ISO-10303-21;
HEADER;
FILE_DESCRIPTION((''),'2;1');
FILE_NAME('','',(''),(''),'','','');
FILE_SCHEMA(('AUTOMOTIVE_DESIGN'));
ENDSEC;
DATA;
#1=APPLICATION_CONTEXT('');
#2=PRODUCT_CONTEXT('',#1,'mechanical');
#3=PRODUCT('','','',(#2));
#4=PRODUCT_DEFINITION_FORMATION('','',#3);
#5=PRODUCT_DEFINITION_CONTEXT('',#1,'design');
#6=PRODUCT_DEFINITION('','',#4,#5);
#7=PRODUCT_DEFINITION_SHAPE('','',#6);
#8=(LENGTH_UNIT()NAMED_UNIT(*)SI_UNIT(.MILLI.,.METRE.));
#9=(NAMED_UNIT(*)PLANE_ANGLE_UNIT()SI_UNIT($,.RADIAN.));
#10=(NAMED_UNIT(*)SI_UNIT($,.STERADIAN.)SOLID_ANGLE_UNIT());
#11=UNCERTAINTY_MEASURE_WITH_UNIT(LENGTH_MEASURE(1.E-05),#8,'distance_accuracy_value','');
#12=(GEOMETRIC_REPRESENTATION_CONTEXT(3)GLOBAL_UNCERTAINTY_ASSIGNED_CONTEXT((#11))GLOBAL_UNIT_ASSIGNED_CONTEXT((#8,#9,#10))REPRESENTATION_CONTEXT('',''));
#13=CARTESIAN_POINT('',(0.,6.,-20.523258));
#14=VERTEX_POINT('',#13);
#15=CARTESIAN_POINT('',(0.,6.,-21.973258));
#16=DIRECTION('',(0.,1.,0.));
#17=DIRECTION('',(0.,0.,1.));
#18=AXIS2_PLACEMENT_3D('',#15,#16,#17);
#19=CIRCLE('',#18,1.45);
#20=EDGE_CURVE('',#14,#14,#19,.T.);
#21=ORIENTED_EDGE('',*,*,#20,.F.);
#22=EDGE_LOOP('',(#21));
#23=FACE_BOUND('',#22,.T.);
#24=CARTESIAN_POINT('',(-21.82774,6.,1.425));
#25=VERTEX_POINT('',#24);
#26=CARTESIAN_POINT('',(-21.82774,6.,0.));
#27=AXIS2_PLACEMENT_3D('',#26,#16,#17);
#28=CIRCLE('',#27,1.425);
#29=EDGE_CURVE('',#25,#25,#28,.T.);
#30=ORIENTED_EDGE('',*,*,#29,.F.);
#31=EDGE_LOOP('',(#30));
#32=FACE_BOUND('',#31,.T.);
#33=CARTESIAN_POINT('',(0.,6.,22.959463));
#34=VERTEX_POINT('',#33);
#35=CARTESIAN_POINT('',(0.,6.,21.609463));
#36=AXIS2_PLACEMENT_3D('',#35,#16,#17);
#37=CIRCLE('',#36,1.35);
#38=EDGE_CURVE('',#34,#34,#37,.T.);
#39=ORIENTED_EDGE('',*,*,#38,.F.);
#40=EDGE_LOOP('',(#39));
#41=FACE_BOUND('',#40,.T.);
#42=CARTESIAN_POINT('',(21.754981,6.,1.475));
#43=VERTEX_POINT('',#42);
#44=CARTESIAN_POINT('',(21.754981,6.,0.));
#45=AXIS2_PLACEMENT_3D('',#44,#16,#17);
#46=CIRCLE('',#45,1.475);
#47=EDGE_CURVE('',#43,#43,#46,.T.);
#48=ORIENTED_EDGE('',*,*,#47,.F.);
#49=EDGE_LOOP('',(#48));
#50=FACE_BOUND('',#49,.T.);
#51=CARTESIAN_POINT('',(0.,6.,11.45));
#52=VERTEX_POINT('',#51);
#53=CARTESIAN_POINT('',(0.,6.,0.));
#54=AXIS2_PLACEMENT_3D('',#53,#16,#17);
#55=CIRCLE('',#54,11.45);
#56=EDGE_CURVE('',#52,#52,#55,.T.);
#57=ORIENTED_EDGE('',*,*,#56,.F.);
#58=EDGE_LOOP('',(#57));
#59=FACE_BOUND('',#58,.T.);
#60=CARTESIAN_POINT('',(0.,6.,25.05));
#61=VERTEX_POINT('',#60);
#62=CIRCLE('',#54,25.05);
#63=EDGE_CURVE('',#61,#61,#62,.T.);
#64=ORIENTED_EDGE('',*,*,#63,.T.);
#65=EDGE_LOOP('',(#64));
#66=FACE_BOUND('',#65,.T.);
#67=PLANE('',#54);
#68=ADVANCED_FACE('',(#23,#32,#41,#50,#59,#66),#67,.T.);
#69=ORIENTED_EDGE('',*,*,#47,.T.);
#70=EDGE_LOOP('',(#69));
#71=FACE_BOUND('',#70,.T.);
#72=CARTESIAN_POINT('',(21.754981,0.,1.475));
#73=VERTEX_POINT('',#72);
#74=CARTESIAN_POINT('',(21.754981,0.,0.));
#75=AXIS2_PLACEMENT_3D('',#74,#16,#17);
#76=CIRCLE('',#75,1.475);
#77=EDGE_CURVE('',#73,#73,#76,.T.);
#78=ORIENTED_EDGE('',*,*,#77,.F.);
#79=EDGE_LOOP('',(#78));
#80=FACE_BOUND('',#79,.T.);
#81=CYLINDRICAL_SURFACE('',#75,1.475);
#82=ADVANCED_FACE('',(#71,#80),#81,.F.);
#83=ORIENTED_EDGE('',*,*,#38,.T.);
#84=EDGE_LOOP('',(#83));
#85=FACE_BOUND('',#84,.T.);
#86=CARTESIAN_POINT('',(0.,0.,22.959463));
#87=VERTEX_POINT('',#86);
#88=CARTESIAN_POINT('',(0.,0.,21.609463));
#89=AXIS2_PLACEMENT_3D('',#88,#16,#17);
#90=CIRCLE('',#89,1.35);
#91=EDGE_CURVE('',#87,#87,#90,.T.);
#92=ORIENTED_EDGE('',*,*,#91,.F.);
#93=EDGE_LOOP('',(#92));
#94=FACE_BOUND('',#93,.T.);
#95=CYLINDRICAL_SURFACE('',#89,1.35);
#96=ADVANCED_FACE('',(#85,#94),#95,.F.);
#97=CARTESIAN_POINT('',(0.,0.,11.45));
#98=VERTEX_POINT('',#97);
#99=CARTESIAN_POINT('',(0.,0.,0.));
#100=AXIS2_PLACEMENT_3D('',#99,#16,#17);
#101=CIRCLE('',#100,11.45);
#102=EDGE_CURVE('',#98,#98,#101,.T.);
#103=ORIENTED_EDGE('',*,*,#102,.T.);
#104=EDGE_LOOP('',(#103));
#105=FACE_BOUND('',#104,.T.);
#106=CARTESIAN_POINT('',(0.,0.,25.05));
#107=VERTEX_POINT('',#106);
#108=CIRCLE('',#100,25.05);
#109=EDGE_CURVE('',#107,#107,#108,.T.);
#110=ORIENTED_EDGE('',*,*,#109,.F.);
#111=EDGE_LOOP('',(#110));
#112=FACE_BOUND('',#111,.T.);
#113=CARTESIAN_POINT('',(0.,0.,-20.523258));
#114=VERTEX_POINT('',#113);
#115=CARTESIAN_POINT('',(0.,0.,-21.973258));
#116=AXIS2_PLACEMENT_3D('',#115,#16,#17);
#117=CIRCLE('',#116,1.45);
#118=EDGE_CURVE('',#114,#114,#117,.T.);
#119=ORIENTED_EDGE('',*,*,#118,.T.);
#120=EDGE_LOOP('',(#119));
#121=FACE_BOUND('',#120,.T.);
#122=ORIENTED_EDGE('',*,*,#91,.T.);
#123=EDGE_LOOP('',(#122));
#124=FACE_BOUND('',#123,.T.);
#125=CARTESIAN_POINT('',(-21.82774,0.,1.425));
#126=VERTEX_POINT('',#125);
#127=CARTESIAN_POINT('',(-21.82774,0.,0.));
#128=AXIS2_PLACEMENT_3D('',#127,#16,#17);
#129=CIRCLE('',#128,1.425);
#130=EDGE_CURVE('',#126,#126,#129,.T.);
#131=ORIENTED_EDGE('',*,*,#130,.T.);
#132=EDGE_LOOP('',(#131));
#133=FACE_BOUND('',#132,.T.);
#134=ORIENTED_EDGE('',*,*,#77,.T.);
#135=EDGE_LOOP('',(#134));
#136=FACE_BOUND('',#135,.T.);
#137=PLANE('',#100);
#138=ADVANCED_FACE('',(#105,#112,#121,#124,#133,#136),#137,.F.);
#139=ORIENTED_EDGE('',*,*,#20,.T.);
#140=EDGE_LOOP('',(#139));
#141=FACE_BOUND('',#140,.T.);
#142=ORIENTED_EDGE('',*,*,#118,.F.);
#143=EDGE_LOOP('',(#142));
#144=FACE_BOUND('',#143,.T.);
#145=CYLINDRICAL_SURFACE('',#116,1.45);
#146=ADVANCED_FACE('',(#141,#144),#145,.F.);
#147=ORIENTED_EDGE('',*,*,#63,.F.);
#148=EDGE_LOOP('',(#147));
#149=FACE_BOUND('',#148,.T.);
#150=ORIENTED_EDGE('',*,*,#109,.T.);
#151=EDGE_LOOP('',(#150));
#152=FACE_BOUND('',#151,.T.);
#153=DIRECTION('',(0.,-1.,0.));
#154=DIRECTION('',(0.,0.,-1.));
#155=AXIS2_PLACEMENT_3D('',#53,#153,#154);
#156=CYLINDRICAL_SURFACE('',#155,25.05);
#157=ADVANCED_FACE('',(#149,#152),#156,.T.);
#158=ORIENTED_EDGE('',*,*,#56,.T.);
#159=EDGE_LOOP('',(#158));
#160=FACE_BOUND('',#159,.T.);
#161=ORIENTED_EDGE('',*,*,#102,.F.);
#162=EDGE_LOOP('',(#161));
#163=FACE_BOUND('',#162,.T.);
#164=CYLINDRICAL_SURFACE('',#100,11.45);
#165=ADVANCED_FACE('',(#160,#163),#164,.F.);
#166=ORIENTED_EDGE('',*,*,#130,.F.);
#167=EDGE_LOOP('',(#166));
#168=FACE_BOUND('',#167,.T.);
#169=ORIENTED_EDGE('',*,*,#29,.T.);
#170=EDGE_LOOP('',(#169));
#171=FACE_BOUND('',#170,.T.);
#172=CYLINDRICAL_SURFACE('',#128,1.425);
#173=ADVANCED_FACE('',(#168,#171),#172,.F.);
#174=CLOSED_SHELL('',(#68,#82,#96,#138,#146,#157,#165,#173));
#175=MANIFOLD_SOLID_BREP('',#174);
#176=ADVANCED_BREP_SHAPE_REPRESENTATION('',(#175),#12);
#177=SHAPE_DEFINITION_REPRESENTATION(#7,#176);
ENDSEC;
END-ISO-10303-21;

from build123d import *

# Parameters (mm, degrees)
SKETCH1_R           = 25.05
BOSS_EXTRUDE1_DEPTH = 6
SKETCH5_R           = 1.475
SKETCH5_R_2         = 1.45
SKETCH5_R_3         = 1.425
SKETCH5_R_4         = 1.35
SKETCH5_R_5         = 11.45
CUT_EXTRUDE2_DEPTH  = 36.930558025


with BuildPart() as part:
    # Sketch1 → Boss-Extrude1 (new body)
    with BuildSketch(Plane(origin=(0, 0, 0), x_dir=(1, 0, 0), z_dir=(0, 1, 0))):
        with Locations(Location((0, 0, 0), (0, 0, 270))):
            Circle(SKETCH1_R)
    extrude(amount=BOSS_EXTRUDE1_DEPTH)

    # Sketch5 → Cut-Extrude2 (cut, through all)
    with BuildSketch(Plane(origin=(0, 6, 0), x_dir=(1, 0, 0), z_dir=(0, 1, 0))):
        with Locations(Location((21.754981043, 0, 0), (0, 0, 270))):
            Circle(SKETCH5_R)
        with Locations(Location((0, 21.973258444, 0), (0, 0, 270))):
            Circle(SKETCH5_R_2)
        with Locations(Location((-21.827740177, 0, 0), (0, 0, 270))):
            Circle(SKETCH5_R_3)
        with Locations(Location((0, -21.609462775, 0), (0, 0, 270))):
            Circle(SKETCH5_R_4)
        with Locations(Location((0, 0, 0), (0, 0, 270))):
            Circle(SKETCH5_R_5)
    extrude(amount=-CUT_EXTRUDE2_DEPTH, mode=Mode.SUBTRACT)


solid = part.part
